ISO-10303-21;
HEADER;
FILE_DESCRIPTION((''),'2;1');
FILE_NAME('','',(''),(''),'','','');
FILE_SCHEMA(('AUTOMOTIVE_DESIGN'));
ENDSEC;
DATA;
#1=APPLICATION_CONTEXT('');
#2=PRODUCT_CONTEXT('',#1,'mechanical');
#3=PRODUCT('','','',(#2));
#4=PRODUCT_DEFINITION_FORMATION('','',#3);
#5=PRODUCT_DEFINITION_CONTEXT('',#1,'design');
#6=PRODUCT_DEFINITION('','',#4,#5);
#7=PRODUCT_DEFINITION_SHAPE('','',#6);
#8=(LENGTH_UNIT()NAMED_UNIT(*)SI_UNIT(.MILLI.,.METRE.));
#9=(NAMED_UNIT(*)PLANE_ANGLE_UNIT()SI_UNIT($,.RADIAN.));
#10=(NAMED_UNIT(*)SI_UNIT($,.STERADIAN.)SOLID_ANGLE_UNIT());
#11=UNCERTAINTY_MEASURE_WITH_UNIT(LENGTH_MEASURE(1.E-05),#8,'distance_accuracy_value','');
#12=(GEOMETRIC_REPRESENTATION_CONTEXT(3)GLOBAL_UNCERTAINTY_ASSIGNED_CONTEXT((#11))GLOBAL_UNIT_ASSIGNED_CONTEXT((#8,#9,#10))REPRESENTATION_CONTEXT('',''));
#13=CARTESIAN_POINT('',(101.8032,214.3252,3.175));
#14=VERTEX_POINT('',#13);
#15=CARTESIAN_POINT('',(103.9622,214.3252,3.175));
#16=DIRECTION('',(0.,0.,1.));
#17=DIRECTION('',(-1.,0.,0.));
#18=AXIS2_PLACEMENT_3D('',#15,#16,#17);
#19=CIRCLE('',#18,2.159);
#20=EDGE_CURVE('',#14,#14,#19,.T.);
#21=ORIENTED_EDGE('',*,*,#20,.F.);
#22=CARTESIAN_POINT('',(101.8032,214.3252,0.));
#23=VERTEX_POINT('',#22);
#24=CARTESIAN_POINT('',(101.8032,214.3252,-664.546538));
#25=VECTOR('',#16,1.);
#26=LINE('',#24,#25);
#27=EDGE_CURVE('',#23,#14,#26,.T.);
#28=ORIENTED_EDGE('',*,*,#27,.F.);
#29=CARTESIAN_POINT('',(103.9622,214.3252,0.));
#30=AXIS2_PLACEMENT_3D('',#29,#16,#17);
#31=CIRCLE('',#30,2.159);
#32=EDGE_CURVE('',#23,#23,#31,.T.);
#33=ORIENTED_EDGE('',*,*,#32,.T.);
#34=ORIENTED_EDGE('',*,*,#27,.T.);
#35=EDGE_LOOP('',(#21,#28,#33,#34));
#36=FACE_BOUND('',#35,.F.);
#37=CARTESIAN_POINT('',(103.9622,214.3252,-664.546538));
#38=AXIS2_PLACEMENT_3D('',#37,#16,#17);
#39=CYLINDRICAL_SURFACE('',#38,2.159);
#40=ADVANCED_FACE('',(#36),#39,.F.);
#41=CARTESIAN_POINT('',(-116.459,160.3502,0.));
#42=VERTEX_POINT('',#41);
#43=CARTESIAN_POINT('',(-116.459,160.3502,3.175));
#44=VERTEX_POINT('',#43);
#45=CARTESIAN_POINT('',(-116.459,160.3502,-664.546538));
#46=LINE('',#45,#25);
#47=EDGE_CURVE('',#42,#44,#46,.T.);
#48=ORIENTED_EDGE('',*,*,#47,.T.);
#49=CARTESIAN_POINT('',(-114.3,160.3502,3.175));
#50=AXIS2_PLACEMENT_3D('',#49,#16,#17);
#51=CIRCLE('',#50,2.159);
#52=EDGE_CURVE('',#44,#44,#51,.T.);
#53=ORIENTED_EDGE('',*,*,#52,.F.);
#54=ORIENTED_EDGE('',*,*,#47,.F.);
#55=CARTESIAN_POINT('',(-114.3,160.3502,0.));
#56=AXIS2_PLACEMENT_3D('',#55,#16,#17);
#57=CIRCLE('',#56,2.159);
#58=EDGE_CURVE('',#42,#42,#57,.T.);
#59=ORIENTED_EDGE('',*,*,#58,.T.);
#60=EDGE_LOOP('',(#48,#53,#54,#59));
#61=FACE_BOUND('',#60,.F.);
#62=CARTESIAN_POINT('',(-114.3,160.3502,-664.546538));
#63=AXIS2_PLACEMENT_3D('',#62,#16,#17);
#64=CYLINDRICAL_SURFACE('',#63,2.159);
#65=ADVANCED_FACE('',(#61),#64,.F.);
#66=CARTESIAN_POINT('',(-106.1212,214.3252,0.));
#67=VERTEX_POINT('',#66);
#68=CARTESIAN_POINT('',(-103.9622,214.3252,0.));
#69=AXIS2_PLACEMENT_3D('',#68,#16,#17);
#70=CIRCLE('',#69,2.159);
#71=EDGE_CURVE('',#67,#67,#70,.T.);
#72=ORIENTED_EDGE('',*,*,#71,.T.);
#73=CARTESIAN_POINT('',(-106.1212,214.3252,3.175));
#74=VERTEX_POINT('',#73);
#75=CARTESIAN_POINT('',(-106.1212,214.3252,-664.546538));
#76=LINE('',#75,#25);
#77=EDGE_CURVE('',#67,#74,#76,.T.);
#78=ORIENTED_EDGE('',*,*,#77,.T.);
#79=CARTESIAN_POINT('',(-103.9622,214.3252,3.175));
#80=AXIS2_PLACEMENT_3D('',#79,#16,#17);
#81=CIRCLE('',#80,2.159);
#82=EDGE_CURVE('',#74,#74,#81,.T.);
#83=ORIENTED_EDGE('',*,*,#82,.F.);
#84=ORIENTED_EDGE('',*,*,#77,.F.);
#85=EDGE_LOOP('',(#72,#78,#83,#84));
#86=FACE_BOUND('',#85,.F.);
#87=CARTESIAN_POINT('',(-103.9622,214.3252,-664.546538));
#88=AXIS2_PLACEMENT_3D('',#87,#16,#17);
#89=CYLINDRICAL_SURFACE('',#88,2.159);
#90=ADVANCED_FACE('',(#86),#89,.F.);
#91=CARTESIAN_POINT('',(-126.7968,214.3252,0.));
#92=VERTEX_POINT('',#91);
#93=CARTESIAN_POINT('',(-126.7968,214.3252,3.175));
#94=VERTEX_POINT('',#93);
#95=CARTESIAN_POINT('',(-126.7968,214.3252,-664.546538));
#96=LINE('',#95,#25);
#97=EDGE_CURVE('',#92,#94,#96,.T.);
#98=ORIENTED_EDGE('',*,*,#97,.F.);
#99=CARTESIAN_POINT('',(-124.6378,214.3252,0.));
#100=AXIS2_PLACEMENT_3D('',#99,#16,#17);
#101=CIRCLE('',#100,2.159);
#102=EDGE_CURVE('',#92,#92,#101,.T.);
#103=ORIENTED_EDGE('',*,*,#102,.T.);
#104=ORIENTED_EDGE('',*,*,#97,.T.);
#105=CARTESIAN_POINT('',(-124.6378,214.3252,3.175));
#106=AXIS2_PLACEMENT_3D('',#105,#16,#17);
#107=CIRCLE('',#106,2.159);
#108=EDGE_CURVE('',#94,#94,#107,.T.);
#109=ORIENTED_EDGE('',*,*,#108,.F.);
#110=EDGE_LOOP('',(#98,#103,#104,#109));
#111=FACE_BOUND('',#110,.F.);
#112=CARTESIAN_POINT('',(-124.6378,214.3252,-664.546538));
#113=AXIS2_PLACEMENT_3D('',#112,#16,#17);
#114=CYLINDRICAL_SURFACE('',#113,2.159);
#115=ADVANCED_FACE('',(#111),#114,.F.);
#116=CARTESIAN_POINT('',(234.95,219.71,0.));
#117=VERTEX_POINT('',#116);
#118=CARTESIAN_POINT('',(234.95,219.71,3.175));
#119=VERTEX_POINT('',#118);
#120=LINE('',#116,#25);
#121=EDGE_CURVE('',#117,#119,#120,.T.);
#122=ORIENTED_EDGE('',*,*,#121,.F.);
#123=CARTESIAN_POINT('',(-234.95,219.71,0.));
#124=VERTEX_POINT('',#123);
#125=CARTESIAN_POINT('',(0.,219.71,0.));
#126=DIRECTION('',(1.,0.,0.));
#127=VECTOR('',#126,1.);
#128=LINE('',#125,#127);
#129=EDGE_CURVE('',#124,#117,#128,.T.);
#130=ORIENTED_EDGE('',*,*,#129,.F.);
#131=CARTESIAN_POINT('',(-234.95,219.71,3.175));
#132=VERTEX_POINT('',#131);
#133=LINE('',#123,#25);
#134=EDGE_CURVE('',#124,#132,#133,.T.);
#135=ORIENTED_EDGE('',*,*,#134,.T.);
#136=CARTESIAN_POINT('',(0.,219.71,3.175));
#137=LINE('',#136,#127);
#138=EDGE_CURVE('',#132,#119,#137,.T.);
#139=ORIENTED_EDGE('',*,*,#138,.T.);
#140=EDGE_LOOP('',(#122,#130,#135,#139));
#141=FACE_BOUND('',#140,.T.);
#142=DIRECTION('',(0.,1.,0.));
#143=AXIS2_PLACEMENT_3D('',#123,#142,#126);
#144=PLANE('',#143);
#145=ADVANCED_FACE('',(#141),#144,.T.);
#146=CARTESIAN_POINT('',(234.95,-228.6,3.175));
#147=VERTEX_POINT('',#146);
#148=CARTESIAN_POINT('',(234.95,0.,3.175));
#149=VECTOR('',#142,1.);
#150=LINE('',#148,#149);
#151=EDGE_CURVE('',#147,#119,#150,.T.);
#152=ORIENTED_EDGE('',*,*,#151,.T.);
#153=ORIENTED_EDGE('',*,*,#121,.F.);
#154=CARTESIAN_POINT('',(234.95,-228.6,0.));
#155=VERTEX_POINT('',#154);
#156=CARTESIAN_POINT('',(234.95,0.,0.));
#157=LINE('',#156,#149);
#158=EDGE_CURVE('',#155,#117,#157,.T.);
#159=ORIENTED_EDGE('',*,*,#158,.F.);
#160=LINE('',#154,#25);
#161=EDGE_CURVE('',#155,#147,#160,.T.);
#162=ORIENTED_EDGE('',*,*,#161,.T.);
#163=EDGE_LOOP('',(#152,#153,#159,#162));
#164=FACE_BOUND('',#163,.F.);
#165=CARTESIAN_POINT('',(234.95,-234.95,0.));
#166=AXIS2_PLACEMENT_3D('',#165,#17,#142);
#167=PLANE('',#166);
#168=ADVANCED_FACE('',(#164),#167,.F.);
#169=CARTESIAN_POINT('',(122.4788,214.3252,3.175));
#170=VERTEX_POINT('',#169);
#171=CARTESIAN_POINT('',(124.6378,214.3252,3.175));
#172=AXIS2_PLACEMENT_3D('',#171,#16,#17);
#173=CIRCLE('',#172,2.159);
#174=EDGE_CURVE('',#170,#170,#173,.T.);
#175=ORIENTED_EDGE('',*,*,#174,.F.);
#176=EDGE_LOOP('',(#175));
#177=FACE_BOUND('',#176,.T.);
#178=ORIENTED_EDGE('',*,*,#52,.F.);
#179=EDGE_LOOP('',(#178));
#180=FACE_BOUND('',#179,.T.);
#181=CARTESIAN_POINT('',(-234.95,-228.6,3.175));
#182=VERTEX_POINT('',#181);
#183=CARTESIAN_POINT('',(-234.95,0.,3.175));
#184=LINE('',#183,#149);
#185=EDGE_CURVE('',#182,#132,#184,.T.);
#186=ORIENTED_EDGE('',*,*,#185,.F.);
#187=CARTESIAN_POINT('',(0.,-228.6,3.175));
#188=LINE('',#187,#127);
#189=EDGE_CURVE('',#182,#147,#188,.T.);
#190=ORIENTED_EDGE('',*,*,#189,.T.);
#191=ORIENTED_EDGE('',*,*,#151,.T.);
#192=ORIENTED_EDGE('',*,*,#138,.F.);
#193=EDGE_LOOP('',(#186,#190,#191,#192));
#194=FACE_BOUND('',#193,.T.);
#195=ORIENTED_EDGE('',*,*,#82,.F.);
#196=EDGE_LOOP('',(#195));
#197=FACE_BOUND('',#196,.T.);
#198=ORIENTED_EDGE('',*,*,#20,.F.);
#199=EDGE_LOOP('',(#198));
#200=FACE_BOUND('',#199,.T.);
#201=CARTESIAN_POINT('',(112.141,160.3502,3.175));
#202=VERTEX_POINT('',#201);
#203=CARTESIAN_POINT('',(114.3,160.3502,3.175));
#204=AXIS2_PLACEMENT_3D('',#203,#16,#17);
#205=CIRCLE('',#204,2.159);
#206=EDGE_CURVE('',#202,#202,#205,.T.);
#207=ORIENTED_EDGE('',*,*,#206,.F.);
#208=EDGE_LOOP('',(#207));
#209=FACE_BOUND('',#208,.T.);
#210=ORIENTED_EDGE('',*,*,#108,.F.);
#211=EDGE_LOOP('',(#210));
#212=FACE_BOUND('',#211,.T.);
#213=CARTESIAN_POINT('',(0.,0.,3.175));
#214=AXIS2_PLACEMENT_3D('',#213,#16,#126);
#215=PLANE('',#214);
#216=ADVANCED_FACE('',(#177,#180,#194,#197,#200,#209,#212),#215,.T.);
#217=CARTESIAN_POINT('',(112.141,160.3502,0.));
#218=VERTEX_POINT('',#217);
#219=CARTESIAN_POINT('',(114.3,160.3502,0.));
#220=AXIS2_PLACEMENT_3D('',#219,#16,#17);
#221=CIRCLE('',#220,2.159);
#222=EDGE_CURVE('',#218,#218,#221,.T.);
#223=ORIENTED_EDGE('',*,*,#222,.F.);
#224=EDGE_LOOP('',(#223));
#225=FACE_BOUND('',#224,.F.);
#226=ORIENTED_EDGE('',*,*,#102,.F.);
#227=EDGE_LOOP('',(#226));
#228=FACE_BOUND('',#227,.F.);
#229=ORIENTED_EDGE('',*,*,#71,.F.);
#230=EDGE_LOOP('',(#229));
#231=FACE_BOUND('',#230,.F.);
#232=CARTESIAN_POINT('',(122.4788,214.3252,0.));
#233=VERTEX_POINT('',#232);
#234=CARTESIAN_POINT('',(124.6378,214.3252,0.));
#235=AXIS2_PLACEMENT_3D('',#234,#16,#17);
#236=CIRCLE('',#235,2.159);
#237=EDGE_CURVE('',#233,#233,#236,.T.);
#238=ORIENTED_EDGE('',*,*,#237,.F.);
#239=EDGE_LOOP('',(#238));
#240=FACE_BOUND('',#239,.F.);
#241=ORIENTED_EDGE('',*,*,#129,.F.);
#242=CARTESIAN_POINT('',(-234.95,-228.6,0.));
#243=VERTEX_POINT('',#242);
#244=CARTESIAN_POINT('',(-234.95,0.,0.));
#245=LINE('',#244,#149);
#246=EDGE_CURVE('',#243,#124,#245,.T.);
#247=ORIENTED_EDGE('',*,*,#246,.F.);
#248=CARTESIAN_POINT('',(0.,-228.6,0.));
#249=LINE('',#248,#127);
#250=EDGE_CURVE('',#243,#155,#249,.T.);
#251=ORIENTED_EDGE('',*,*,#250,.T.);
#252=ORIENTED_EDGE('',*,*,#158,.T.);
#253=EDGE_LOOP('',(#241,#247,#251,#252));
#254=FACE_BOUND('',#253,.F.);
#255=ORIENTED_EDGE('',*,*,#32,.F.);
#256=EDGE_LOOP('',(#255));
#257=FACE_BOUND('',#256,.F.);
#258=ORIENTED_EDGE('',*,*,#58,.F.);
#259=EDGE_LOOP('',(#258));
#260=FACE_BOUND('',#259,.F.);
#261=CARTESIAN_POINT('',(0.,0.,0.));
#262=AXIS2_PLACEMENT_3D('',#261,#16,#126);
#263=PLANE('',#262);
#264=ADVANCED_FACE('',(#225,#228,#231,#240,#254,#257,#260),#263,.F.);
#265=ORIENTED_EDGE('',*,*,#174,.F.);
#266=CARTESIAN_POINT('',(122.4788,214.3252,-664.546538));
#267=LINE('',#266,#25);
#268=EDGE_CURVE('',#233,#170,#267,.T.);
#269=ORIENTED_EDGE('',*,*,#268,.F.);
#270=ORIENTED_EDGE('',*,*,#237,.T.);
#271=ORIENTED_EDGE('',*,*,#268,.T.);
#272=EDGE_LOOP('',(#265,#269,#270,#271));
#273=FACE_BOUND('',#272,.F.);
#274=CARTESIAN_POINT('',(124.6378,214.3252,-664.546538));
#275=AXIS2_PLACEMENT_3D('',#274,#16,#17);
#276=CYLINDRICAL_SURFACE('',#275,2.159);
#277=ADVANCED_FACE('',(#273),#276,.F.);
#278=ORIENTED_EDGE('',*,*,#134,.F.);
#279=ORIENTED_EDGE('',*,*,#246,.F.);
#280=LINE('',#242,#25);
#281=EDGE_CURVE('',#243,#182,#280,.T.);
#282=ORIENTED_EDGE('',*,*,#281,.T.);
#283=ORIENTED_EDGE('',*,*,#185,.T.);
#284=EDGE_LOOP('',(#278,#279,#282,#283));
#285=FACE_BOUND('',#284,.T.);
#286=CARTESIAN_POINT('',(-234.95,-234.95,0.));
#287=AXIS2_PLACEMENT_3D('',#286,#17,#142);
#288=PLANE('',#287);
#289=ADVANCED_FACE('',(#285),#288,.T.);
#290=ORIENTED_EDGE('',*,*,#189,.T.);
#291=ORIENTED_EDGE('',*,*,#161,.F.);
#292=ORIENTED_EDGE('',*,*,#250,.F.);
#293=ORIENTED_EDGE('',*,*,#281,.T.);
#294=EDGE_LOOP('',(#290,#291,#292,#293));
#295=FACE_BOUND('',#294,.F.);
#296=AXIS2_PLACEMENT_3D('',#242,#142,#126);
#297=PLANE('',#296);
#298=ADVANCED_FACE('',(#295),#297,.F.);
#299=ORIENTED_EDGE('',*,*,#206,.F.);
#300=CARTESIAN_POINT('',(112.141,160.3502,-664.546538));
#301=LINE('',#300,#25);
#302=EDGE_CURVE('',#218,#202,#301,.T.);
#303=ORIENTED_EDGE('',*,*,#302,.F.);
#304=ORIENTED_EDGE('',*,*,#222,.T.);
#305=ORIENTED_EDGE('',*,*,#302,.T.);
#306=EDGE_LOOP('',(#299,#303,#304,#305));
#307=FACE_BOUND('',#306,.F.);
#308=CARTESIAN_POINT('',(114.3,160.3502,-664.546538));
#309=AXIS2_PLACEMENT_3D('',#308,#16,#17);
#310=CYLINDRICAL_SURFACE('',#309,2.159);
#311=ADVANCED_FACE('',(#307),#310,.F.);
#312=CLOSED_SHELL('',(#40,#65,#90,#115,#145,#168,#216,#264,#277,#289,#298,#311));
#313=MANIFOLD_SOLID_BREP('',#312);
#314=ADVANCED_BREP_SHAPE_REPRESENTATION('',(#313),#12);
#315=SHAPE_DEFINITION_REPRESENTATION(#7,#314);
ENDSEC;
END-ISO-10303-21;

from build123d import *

# Parameters (mm, degrees)
F0_W     = 469.9
F0_H     = 469.9
F1_DEPTH = 3.175
F3_D     = 4.318
F4_DEPTH = 15.24
F5_DEPTH = 6.35


with BuildPart() as f1:
    # F0 (on Top) → F1 (new body)
    with BuildSketch(Plane.XY):
        Rectangle(F0_W, F0_H)
    extrude(amount=F1_DEPTH)

    # F3 (through all)
    with Locations(Plane(origin=(0, 0, 0), x_dir=(1, 0, 0), z_dir=(0, 0, -1))):
        with Locations((124.6378, -214.3252), (103.9622, -214.3252), (114.3, -160.3502), (-114.3, -160.3502), (-103.9622, -214.3252), (-124.6378, -214.3252)):
            Hole(F3_D / 2)

    # F4 (cut): a face of the model
    f4_faces = [f1.faces().sort_by_distance(p)[0] for p in [
        (0, 234.95, 1.5875),
    ]]
    extrude(f4_faces, amount=-F4_DEPTH, mode=Mode.SUBTRACT)

    # F5 (cut): a face of the model
    f5_faces = [f1.faces().sort_by_distance(p)[0] for p in [
        (0, -234.95, 1.5875),
    ]]
    extrude(f5_faces, amount=-F5_DEPTH, mode=Mode.SUBTRACT)


solid = f1.part
